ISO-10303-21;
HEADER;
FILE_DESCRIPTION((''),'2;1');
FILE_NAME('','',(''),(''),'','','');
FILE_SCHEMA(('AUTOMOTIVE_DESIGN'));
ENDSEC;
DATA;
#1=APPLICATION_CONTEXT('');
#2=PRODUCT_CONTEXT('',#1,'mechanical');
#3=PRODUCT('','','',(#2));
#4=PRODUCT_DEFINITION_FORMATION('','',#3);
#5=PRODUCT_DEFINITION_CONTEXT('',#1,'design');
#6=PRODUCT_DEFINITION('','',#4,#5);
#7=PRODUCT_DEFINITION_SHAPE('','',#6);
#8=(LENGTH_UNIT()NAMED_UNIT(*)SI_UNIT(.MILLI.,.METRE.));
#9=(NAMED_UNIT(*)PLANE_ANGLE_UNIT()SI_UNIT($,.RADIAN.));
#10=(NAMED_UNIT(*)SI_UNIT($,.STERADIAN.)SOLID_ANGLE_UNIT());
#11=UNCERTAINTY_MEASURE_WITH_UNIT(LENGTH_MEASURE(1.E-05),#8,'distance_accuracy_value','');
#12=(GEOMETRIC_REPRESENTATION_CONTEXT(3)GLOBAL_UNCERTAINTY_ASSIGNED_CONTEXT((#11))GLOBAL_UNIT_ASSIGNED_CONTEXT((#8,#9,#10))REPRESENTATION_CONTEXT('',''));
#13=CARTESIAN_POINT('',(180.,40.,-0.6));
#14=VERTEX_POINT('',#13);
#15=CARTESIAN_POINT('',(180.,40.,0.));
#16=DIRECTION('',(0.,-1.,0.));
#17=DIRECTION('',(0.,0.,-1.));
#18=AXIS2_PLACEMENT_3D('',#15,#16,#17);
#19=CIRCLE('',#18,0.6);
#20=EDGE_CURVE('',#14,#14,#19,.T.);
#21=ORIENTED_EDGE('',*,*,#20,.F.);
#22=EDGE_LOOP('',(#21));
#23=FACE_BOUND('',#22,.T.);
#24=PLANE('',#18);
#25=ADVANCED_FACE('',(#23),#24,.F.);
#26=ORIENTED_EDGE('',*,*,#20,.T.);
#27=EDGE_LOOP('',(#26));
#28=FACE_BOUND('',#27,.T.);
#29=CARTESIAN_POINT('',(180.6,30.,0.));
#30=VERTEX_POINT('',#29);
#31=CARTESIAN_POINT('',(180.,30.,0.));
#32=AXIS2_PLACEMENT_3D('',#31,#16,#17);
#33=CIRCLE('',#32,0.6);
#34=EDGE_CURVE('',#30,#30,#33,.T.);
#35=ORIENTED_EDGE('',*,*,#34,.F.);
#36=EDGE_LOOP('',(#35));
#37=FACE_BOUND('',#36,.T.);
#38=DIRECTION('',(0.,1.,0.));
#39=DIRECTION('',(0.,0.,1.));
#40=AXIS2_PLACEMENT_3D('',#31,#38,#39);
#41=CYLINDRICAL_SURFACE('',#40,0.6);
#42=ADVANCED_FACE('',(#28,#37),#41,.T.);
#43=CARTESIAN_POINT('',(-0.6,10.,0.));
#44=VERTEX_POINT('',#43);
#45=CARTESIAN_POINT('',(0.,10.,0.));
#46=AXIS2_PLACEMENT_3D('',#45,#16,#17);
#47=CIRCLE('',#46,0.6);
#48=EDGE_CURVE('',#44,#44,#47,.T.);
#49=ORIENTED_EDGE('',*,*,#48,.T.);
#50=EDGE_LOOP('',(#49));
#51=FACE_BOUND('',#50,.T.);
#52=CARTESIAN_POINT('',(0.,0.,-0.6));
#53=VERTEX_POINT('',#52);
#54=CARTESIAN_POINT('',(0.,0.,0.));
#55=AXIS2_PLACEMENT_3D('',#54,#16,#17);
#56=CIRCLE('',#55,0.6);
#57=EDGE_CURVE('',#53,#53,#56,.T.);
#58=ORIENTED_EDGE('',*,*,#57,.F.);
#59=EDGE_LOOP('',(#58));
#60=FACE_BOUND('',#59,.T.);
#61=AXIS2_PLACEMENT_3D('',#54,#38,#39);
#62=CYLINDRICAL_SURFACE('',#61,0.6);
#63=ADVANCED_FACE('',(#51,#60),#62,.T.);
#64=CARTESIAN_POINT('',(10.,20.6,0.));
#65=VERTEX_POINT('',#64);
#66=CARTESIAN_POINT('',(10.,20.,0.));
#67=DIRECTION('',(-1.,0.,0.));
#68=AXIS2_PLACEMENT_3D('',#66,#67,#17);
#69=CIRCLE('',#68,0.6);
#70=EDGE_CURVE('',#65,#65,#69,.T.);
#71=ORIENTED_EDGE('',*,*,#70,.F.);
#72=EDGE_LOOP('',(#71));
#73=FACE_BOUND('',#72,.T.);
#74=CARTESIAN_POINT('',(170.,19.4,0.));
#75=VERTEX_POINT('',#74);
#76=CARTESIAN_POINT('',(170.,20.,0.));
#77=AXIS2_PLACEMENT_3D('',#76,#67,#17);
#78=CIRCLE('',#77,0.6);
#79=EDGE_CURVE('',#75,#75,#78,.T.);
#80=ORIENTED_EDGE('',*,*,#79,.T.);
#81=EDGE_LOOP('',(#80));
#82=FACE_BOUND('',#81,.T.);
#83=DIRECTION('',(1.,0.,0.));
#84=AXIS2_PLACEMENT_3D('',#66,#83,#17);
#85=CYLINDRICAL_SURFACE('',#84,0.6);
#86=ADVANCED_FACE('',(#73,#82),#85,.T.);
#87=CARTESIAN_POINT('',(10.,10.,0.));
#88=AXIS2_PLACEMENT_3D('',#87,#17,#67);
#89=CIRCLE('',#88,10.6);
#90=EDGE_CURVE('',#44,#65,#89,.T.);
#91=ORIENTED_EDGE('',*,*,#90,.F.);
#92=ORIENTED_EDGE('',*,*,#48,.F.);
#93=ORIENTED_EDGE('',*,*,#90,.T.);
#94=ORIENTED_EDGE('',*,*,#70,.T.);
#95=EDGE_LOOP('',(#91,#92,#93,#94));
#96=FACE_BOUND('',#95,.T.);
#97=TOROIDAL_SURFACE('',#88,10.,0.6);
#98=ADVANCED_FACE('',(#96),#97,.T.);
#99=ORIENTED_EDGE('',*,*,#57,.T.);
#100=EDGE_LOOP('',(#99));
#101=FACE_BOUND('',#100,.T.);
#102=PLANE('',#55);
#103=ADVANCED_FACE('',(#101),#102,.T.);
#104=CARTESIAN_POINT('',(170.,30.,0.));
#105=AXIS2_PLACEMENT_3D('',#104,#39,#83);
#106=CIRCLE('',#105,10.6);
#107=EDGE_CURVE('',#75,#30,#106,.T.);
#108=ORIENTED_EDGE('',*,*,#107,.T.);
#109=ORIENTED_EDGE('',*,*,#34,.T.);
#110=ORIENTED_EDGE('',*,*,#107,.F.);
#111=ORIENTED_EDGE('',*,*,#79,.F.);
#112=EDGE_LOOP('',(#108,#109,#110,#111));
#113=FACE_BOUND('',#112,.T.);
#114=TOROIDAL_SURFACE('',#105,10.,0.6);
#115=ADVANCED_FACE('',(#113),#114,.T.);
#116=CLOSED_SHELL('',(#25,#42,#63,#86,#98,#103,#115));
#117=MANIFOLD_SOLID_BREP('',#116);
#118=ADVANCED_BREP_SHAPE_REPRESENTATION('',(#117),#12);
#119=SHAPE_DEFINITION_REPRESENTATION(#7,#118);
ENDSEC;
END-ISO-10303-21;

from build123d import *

# Parameters (mm, degrees)
SWEEP1_PROFILE_R = 0.6


with BuildPart() as part:
    # Sweep1: sweep along a path in Sketch1
    with BuildLine(Plane.XY) as sweep1_path:
        Line((0, 0), (0, 10))
        ThreePointArc((0, 10), (2.928932188, 17.071067812), (10, 20))
        Line((10, 20), (170, 20))
        ThreePointArc((170, 20), (177.071067812, 22.928932188), (180, 30))
        Line((180, 30), (180, 40))
    # Sweep1 profile (on start of the path) → Sweep1 (sweep)
    with BuildSketch(Plane.ZX):
        Circle(SWEEP1_PROFILE_R)
    sweep(path=sweep1_path.line)


solid = part.part
